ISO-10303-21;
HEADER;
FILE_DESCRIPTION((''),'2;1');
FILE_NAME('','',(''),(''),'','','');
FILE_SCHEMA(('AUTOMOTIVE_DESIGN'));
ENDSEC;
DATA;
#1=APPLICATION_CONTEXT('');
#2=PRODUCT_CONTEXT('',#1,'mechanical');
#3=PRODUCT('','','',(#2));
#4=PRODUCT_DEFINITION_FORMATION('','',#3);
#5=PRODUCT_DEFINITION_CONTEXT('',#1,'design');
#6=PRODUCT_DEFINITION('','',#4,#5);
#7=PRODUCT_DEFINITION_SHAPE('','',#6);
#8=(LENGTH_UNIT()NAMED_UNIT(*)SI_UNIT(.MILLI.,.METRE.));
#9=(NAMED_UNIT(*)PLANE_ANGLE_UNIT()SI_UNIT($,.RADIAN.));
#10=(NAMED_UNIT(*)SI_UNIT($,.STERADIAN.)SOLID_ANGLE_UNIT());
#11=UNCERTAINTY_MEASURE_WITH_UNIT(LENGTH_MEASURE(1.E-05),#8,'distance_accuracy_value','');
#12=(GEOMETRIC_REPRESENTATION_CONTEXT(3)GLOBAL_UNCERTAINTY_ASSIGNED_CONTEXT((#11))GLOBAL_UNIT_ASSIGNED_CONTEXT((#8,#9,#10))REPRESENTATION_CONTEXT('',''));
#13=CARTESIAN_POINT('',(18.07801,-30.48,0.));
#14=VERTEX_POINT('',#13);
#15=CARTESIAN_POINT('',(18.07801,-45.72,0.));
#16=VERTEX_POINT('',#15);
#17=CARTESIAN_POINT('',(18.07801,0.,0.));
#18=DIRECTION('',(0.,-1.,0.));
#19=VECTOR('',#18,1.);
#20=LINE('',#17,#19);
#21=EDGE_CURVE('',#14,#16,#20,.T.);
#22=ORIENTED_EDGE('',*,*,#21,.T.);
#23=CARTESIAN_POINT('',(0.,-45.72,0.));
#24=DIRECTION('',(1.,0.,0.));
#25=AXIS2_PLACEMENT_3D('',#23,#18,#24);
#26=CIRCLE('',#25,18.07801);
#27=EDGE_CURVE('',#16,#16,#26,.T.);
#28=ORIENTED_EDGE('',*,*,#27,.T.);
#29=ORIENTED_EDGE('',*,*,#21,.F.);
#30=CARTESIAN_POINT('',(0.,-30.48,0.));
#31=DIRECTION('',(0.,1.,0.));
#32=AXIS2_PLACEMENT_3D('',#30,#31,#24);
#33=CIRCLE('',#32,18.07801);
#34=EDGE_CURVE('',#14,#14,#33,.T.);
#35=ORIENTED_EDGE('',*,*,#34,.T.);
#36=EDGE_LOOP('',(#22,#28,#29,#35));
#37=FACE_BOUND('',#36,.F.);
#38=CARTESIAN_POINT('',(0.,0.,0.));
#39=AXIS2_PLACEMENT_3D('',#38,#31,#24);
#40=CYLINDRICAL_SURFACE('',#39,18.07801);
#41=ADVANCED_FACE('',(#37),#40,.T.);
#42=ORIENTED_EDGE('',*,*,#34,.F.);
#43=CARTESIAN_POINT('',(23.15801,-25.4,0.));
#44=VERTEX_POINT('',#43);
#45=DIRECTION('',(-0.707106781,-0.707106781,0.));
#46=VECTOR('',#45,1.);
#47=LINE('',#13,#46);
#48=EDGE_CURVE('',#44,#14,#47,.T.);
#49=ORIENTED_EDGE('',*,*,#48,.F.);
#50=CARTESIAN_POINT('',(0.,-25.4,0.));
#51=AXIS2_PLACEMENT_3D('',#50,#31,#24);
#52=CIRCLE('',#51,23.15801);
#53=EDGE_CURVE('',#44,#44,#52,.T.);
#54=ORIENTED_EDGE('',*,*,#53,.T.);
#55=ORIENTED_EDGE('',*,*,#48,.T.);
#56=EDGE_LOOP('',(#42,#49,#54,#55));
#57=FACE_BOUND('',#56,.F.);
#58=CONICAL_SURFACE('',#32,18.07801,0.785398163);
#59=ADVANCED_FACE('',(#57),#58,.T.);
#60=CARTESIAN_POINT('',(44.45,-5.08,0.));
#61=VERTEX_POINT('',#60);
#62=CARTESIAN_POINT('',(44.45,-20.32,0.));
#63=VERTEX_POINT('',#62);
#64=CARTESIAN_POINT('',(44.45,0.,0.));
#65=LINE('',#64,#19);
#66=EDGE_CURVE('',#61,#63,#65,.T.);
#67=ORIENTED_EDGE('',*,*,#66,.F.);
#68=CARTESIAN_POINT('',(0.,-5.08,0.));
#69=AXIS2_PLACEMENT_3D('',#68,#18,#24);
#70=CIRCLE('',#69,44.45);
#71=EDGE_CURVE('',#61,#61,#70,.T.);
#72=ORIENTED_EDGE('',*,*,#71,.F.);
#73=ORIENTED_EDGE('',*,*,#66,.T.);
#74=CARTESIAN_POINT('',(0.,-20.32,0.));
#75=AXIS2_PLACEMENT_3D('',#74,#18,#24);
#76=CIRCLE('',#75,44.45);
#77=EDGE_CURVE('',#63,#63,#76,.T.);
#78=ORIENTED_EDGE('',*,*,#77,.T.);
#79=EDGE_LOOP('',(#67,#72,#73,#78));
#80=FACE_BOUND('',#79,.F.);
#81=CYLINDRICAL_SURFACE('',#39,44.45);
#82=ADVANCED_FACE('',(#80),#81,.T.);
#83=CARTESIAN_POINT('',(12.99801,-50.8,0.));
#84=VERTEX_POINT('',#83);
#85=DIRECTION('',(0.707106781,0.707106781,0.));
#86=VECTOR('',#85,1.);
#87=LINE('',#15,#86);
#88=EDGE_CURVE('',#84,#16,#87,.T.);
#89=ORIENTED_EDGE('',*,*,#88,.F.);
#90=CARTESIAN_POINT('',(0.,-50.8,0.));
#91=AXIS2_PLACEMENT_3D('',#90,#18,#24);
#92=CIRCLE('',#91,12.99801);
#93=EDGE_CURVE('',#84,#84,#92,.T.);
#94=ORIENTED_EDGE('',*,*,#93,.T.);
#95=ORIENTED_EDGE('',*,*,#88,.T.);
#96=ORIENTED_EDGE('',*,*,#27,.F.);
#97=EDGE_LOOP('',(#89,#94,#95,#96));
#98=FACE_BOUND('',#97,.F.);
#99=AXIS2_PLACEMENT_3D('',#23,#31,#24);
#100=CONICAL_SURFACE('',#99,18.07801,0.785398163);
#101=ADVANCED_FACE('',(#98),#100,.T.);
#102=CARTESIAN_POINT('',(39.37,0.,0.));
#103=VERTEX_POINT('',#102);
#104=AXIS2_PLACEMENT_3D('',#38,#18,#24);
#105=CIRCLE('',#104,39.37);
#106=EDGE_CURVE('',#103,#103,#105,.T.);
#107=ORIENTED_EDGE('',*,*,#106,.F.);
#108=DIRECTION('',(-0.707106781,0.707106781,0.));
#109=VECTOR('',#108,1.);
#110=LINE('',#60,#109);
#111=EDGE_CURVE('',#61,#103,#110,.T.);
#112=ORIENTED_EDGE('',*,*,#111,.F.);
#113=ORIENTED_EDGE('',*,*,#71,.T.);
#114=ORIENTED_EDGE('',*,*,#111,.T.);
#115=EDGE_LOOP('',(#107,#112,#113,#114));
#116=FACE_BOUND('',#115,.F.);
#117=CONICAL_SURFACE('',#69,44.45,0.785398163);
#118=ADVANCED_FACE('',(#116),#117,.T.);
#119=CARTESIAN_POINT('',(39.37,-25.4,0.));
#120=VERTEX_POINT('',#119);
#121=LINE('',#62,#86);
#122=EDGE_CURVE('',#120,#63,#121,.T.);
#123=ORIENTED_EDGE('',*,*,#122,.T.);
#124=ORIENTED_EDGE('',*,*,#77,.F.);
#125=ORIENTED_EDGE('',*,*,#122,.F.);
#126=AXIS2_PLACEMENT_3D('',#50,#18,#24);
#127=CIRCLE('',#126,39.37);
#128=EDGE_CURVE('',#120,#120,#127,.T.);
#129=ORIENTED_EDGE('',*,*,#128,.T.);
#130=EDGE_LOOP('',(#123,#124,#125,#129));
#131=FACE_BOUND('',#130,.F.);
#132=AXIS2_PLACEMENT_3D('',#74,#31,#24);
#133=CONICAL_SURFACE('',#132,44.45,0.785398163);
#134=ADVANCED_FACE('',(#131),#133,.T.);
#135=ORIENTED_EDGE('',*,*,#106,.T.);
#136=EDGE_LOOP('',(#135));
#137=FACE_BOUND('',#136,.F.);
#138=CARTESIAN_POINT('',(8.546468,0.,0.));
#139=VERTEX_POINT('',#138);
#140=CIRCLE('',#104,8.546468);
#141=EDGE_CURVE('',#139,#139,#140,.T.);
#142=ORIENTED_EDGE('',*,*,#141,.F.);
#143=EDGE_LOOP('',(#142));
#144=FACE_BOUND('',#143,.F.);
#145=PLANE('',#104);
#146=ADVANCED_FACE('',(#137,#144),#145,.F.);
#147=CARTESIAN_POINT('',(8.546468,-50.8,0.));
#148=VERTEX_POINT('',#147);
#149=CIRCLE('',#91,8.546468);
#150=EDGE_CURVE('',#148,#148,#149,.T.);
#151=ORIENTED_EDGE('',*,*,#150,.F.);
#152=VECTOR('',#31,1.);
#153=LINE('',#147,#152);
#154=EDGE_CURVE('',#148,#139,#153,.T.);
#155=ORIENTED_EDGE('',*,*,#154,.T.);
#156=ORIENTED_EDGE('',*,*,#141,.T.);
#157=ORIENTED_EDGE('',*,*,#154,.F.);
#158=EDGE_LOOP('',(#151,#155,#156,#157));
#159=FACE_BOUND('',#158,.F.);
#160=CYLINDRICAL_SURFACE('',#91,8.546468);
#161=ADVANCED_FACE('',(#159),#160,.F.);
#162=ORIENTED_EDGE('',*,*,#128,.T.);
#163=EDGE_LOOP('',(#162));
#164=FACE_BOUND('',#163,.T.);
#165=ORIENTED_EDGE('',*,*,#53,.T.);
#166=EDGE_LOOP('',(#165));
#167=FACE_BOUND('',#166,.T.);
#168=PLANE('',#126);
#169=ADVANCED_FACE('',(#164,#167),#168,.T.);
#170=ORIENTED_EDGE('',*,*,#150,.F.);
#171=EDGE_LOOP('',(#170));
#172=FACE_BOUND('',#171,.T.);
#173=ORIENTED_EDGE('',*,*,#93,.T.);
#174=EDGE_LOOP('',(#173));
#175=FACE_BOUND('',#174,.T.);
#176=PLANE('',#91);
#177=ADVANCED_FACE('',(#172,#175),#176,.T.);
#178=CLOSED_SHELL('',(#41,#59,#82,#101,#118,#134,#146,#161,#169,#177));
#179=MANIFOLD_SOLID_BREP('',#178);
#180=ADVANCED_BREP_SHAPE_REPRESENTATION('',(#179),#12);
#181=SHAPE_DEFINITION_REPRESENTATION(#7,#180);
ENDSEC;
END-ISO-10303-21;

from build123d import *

# Parameters (mm, degrees)
F0_R     = 44.45
F1_DEPTH = 25.4
F2_R     = 18.07801
F3_DEPTH = 50.8
F4_R     = 8.546468
F5_DEPTH = 127
F6_SIZE  = 5.08
F7_SIZE  = 5.08


with BuildPart() as f1:
    # F0 (on Front) → F1 (new body)
    with BuildSketch(Plane.XZ):
        Circle(F0_R)
    extrude(amount=F1_DEPTH)

    # F2 (on Front) → F3 (join)
    with BuildSketch(Plane.XZ):
        Circle(F2_R)
    extrude(amount=F3_DEPTH)

    # F4 (on face) → F5 (cut)
    with BuildSketch(Plane.XZ.offset(50.8)):
        Circle(F4_R)
    extrude(amount=-F5_DEPTH, mode=Mode.SUBTRACT)

    # F6
    f6_edges = [f1.edges().sort_by_distance(p)[0] for p in [
        (-18.07801, -25.4, 0),
        (18.07801, -38.1, 0),
        (-18.07801, -50.8, 0),
    ]]
    chamfer(f6_edges, length=F6_SIZE)

    # F7
    f7_edges = [f1.edges().sort_by_distance(p)[0] for p in [
        (44.45, -12.7, 0),
        (-44.45, 0, 0),
        (-44.45, -25.4, 0),
    ]]
    chamfer(f7_edges, length=F7_SIZE)


solid = f1.part
